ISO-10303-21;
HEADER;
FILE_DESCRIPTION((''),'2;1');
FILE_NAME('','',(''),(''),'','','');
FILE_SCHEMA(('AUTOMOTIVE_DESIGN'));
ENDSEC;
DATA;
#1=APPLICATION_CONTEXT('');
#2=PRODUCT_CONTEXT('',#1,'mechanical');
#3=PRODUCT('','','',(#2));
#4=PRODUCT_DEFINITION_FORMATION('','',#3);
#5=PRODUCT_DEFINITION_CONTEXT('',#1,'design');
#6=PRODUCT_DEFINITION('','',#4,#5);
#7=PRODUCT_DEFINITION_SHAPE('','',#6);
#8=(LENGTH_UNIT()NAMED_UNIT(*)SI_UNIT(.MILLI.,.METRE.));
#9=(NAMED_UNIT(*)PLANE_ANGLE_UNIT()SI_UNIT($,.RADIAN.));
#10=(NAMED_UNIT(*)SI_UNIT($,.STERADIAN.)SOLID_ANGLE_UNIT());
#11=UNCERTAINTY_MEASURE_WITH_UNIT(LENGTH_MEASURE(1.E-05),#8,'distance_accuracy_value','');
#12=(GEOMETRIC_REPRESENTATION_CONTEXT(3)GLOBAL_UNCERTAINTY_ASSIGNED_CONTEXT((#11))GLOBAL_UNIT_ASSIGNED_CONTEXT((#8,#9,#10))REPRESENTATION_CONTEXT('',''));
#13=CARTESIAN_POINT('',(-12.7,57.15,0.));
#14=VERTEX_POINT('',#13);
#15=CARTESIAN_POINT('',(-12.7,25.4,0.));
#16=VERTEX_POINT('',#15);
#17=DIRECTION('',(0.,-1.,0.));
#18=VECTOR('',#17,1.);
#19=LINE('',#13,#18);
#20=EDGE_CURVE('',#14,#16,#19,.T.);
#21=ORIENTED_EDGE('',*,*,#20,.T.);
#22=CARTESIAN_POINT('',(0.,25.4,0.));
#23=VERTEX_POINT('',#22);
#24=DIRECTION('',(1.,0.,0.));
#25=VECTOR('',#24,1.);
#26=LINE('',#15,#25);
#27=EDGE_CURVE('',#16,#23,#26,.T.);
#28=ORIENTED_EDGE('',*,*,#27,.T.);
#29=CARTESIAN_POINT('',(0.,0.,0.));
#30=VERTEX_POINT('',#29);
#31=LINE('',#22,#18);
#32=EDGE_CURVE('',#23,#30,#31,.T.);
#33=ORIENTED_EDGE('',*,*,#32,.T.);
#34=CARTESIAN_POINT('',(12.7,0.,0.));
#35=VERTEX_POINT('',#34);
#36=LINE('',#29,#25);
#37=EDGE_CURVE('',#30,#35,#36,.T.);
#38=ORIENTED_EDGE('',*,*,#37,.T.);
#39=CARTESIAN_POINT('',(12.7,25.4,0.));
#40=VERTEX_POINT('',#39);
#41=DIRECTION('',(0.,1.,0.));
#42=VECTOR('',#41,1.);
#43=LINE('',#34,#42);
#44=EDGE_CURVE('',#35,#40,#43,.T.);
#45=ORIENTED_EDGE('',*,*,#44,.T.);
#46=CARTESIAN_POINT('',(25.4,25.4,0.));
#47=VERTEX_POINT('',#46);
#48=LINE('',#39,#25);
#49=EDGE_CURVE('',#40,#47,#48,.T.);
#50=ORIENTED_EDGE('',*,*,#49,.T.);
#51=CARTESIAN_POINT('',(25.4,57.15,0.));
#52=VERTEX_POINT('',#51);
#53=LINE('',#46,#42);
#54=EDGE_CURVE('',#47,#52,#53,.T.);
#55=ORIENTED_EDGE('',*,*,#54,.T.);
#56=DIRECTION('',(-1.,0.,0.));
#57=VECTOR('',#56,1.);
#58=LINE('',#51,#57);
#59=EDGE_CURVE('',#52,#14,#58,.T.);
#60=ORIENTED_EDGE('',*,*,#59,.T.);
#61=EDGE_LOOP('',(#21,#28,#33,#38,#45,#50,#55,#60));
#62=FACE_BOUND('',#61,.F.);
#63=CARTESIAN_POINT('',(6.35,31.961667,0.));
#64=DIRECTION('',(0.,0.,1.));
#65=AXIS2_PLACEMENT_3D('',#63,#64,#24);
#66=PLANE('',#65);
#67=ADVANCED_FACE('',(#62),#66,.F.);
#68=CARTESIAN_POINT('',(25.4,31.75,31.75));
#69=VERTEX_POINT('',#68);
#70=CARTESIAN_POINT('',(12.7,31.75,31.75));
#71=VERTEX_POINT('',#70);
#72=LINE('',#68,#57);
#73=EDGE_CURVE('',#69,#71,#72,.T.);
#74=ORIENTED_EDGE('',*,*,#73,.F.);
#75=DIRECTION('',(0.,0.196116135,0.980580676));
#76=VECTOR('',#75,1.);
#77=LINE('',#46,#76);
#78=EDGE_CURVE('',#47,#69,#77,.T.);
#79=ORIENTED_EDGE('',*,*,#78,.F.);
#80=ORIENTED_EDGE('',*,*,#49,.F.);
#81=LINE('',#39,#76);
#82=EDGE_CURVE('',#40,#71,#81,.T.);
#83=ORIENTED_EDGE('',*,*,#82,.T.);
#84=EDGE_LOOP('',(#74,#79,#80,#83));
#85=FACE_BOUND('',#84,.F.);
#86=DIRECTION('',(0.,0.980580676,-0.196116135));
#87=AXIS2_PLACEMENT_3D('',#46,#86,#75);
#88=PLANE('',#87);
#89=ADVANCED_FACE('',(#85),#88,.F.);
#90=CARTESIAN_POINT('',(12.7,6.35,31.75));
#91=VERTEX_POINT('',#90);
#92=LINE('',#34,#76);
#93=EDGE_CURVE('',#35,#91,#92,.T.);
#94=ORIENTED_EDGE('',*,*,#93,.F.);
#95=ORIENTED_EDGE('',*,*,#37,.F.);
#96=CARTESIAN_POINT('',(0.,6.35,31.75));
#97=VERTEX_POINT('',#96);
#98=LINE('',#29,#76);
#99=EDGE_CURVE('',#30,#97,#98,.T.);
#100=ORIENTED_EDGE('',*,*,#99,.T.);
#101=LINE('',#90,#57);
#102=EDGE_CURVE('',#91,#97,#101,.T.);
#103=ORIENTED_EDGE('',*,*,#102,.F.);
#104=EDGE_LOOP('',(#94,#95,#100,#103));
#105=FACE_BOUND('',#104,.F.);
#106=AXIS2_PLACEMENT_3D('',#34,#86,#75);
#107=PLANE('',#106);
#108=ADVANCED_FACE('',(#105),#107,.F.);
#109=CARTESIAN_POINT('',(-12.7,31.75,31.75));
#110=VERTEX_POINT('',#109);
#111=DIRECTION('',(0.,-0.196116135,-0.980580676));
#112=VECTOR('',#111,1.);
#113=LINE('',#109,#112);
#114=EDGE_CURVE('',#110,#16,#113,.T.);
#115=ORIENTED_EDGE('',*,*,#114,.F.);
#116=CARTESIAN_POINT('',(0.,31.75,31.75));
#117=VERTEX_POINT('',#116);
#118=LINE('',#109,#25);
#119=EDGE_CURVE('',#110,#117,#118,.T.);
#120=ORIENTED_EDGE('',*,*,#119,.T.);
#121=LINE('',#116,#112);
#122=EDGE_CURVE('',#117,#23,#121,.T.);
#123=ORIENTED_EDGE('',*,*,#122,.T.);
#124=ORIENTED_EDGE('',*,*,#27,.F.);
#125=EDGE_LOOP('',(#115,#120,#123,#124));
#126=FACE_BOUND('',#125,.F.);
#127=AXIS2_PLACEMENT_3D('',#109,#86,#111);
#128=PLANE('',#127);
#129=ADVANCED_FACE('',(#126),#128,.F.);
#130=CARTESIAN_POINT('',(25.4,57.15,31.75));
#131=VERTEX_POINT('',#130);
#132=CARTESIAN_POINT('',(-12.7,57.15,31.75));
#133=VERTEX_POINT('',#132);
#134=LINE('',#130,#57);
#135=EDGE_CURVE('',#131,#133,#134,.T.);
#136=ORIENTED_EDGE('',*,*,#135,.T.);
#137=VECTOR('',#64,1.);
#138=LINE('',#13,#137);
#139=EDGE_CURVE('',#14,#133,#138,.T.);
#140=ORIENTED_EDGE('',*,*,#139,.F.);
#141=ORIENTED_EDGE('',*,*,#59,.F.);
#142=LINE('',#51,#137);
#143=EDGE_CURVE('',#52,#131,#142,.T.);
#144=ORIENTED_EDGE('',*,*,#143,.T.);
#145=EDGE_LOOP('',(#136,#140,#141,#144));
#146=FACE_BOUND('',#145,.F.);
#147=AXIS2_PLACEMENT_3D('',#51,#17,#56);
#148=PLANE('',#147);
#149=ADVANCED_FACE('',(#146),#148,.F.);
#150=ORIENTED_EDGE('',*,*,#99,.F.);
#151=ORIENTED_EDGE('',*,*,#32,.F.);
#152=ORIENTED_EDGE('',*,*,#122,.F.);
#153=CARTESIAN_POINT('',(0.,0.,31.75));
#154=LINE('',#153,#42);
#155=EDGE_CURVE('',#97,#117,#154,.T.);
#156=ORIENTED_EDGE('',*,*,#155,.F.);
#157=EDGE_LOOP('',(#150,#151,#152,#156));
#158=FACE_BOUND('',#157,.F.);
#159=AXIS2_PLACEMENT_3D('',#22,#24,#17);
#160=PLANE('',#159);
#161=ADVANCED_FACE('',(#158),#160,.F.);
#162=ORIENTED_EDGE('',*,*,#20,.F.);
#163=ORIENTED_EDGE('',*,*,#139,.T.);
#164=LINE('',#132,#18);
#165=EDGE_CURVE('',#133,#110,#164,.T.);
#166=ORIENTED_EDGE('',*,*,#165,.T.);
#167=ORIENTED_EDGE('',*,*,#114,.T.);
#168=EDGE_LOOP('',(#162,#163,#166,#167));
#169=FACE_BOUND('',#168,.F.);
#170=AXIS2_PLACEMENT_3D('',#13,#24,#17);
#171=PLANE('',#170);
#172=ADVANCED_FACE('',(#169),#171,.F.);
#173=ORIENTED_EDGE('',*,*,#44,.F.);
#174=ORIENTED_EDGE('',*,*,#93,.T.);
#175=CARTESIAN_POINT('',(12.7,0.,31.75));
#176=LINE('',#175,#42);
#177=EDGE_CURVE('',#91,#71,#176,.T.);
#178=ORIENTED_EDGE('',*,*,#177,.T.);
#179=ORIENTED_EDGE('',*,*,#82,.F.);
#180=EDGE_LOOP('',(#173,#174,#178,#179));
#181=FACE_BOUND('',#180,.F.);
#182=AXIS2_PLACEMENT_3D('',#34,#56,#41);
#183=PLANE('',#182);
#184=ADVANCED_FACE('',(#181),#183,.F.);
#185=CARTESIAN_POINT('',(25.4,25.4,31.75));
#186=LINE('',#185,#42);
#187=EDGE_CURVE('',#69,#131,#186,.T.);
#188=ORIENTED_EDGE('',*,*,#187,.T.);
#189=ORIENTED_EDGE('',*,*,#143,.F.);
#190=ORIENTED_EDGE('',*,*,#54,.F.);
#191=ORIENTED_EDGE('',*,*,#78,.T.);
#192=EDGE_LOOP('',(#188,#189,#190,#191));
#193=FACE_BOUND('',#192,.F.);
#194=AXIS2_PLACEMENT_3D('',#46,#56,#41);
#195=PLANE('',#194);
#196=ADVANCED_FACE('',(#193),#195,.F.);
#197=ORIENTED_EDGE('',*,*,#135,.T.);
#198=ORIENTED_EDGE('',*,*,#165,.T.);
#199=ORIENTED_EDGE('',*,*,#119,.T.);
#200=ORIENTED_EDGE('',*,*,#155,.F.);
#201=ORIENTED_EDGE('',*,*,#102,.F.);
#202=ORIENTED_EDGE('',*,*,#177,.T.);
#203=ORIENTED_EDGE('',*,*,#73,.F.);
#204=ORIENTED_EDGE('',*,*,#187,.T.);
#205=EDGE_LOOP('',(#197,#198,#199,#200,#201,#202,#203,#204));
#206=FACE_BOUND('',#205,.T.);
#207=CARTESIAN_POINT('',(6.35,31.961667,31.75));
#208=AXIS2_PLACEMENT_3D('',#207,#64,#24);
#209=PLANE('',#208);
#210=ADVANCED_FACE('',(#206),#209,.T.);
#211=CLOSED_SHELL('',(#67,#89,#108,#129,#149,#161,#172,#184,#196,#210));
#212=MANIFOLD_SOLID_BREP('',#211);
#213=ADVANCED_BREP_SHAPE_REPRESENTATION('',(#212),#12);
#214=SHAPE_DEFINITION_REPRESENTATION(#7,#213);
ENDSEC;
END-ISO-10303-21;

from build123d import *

# Parameters (mm, degrees)
F1_DEPTH = 31.75
F3_DEPTH = 12.7
F5_DEPTH = 12.7
F7_DEPTH = 12.7


with BuildPart() as f1:
    # F0 (on Top) → F1 (new body)
    with BuildSketch(Plane.XY):
        Polygon((0, 25.4), (0, 0), (12.7, 0), (12.7, 25.4), (25.4, 25.4), (25.4, 57.15), (-12.7, 57.15), (-12.7, 25.4), align=None)
    extrude(amount=F1_DEPTH)

    # F2 (on face) → F3 (cut)
    with BuildSketch(Plane(origin=(-12.7, 0, 0), x_dir=(0, -1, 0), z_dir=(-1, 0, 0))):
        Polygon((-31.75, 31.75), (-25.4, 0), (-25.4, 31.75), align=None)
    extrude(amount=-F3_DEPTH, mode=Mode.SUBTRACT)

    # F4 (on face) → F5 (cut)
    with BuildSketch(Plane.YZ.offset(25.4)):
        Polygon((25.4, 31.75), (25.4, 0), (31.75, 31.75), align=None)
    extrude(amount=-F5_DEPTH, mode=Mode.SUBTRACT)

    # F6 (on face) → F7 (cut)
    with BuildSketch(Plane.YZ.offset(12.7)):
        Polygon((0, 31.75), (0, 0), (6.35, 31.75), align=None)
    extrude(amount=-F7_DEPTH, mode=Mode.SUBTRACT)


solid = f1.part
